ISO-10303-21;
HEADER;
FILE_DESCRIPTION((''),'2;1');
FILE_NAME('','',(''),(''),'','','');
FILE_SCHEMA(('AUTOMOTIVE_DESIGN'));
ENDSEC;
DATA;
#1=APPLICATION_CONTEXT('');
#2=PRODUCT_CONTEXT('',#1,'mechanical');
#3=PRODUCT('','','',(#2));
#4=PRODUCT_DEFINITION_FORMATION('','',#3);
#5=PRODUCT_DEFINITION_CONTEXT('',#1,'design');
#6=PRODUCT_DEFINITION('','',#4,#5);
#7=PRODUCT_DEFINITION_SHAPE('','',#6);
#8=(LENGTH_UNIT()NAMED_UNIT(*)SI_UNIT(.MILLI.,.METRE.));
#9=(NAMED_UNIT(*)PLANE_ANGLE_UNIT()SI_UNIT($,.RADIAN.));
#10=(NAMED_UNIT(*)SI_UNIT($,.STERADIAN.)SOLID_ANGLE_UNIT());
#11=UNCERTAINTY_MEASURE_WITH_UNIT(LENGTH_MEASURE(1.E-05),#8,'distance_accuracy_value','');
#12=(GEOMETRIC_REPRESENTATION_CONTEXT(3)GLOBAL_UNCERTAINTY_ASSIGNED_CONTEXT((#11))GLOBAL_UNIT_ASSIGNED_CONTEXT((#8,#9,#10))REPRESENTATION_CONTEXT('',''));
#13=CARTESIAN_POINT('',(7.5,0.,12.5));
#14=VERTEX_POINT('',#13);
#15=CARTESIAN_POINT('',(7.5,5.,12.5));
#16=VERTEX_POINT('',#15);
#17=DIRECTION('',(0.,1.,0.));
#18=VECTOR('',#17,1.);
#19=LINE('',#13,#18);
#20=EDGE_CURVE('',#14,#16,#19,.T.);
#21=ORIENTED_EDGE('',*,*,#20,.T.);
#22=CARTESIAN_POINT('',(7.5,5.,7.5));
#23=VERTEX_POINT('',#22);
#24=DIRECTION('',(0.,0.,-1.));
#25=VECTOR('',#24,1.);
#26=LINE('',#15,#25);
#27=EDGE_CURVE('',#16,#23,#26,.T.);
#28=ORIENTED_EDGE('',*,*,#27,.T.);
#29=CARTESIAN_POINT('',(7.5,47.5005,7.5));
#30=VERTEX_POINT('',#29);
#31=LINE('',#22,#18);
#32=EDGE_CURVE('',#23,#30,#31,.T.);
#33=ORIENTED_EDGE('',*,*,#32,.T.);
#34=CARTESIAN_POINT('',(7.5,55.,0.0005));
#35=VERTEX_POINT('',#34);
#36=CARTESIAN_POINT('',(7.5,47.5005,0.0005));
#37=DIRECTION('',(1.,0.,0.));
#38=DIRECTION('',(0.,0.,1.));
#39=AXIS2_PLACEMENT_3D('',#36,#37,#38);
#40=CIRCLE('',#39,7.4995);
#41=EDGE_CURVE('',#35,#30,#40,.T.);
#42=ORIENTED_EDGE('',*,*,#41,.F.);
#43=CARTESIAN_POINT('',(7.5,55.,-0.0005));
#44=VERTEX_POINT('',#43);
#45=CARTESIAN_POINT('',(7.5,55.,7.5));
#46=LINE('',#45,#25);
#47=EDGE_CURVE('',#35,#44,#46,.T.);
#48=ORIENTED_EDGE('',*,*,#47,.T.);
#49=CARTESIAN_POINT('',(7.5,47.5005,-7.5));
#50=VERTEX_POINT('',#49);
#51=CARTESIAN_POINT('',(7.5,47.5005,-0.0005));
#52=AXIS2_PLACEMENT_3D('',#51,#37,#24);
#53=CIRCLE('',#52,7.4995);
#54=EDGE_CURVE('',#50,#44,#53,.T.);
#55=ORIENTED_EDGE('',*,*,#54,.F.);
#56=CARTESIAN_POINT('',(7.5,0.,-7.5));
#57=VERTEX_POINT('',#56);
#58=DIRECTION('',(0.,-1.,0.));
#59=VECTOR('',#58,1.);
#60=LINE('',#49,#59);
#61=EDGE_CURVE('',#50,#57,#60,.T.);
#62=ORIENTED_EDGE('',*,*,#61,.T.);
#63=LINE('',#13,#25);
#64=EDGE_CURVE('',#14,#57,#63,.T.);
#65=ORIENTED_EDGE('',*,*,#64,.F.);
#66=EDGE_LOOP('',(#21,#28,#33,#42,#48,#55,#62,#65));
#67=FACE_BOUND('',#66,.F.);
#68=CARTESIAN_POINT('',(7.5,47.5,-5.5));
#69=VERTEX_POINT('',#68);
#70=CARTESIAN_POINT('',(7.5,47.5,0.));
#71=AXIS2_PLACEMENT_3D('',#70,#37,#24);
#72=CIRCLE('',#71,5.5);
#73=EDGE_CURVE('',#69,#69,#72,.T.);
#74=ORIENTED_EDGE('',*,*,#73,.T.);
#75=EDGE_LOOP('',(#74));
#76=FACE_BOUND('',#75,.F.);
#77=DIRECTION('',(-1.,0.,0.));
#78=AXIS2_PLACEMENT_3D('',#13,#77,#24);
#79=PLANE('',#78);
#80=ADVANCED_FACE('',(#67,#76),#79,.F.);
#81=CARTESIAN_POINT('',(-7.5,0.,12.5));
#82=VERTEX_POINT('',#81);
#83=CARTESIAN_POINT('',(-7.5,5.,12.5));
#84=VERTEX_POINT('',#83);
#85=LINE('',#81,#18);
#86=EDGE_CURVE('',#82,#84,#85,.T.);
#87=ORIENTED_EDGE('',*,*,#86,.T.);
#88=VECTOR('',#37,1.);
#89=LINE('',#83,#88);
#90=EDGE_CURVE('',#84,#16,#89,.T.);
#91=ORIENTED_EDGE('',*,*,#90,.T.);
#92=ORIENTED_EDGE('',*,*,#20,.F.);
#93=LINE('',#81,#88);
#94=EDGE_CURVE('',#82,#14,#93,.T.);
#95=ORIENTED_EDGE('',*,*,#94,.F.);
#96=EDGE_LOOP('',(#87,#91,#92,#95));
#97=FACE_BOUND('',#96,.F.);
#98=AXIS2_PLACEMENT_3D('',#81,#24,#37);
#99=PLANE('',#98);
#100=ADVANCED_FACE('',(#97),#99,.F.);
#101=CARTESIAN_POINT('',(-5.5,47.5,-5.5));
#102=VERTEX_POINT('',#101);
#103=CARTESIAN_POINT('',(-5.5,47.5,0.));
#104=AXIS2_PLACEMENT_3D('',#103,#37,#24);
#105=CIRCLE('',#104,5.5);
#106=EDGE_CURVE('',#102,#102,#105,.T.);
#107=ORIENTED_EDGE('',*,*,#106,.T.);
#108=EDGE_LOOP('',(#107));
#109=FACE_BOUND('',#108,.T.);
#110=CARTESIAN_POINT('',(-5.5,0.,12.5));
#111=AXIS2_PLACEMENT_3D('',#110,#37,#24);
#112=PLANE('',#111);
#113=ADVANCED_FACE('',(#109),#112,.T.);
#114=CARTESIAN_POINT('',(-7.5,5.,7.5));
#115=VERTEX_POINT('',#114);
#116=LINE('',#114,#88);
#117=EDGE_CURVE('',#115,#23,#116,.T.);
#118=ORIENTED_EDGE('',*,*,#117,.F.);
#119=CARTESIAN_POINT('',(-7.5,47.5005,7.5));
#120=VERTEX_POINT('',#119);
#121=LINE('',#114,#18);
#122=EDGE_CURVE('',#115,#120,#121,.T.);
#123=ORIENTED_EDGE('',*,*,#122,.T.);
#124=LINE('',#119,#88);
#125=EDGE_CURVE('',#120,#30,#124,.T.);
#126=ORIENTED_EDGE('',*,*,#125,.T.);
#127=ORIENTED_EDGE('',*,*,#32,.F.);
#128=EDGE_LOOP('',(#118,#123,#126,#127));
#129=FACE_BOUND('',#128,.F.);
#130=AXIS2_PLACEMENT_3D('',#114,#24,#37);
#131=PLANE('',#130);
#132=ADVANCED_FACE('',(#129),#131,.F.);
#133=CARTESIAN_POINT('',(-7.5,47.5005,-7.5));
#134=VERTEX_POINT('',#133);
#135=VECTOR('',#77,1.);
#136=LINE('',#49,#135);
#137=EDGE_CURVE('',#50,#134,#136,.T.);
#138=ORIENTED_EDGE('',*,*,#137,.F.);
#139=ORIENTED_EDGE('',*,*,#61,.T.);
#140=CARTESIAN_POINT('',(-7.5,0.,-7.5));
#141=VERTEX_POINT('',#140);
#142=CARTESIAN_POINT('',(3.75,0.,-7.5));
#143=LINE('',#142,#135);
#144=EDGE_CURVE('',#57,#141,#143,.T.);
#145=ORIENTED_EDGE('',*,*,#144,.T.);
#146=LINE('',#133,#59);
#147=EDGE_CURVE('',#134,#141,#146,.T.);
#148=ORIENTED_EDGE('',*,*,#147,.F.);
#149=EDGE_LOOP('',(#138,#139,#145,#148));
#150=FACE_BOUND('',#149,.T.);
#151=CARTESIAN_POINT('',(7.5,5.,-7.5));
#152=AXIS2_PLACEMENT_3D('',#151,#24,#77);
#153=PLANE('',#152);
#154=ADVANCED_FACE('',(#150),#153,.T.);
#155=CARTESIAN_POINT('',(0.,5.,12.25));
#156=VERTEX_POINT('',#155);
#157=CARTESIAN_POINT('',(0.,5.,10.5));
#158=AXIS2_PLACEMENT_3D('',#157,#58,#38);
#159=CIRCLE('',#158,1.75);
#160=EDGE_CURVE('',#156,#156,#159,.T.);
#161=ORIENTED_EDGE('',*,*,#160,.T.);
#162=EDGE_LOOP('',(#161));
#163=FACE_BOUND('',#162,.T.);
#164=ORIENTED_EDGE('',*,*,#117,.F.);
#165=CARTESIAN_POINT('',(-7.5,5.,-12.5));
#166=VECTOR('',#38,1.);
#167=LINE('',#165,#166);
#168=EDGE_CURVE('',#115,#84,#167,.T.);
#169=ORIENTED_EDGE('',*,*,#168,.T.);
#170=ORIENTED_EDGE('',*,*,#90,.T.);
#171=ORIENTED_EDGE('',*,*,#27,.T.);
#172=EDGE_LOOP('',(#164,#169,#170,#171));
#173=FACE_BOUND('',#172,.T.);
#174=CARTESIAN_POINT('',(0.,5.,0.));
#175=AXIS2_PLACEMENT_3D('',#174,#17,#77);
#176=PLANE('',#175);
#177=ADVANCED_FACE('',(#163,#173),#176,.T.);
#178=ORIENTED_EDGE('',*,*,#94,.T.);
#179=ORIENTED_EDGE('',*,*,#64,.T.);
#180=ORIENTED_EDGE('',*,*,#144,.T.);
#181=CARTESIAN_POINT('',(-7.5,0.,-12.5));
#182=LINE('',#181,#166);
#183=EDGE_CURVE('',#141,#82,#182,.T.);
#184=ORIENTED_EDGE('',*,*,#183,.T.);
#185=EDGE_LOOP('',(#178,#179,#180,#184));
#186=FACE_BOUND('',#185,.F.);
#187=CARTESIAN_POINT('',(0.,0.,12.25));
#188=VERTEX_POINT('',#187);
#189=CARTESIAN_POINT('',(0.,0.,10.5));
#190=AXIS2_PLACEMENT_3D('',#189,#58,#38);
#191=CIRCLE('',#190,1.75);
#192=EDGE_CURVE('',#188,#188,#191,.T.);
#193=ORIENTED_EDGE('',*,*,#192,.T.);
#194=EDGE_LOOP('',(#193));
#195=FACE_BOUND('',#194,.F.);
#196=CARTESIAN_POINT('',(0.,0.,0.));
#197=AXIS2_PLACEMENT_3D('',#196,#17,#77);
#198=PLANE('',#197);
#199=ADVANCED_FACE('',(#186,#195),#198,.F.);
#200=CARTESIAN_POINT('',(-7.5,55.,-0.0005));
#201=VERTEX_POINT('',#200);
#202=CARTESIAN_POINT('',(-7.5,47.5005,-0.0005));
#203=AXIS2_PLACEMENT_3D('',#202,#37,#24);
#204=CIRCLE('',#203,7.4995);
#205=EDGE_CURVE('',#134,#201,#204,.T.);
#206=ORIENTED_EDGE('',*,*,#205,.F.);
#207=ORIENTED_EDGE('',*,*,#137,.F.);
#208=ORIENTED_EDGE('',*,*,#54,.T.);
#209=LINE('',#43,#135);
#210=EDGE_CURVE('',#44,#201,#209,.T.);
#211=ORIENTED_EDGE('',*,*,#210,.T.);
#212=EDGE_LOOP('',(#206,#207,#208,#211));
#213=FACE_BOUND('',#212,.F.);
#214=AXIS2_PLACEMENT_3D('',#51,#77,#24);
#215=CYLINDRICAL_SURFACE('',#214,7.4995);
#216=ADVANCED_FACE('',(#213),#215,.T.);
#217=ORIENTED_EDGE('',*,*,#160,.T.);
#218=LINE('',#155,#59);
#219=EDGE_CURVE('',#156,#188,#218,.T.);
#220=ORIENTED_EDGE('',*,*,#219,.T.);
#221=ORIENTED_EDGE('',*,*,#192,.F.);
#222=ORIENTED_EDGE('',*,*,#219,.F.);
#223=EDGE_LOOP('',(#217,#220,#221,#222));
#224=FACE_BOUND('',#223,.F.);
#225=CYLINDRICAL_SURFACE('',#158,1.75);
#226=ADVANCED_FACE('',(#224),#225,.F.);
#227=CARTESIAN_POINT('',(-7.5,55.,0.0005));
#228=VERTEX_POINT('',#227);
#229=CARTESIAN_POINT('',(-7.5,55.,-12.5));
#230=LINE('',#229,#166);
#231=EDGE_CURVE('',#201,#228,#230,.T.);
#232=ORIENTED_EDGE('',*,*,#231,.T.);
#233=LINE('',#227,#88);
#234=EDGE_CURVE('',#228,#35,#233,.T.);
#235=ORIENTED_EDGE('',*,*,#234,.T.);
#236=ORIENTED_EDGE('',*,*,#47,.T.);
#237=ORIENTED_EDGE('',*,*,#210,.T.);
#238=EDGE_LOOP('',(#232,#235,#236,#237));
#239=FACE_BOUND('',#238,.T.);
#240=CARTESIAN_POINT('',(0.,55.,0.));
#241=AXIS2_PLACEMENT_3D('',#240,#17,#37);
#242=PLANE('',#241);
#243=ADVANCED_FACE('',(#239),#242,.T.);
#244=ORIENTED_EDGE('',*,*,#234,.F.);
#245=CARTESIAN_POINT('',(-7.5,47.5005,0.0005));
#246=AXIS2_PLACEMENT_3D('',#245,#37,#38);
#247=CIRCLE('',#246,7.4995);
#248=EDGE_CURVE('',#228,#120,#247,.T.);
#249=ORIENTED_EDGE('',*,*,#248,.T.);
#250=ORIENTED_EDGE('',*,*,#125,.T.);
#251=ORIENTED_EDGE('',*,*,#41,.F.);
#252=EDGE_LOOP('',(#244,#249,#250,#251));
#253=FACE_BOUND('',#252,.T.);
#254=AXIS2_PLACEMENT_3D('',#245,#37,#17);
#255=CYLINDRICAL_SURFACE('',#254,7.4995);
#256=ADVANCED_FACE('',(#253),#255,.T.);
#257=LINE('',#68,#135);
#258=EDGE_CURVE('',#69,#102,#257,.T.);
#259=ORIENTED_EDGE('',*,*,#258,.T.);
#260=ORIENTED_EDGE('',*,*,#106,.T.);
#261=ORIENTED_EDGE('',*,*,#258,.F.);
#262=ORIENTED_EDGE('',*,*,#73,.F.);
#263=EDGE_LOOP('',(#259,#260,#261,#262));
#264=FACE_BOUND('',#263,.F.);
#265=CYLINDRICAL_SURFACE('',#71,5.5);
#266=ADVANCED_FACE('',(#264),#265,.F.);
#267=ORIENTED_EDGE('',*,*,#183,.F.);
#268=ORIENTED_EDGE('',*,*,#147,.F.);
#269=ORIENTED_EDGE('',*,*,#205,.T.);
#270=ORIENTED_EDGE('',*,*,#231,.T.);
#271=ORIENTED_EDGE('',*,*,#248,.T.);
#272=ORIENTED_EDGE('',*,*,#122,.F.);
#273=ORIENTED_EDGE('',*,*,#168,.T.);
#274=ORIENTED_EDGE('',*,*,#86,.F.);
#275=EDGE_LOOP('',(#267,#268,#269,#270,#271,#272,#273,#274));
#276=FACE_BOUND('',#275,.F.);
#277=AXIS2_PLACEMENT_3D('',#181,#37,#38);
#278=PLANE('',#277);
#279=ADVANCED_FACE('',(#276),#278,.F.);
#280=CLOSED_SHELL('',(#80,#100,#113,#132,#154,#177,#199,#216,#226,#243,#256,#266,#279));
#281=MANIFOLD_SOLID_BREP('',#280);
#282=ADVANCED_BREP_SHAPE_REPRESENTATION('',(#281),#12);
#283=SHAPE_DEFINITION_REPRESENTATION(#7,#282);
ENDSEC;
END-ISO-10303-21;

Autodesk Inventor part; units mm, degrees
ref_plane "YZ Plane" through (0, 0, 0) normal (1, 0, 0) x (0, 1, 0)
ref_plane "XZ Plane" through (0, 0, 0) normal (0, 1, 0) x (-1, 0, 0)
ref_plane "XY Plane" through (0, 0, 0) normal (0, 0, 1) x (1, 0, 0)
sketch "Sketch1" plane through (0, 0, 0) normal (0, 1, 0) x (-1, 0, 0)
  line L0 (7.5, 12.5) -> (-7.5, 12.5)
  line L1 (-7.5, 12.5) -> (-7.5, -12.5)
  line L2 (-7.5, -12.5) -> (7.5, -12.5)
  line L3 (7.5, -12.5) -> (7.5, 12.5)
  line L4 (7.5, 12.5) -> (-7.5, -12.5) construction
  line L5 (-7.5, 12.5) -> (7.5, -12.5) construction
  point P0 (0, 0)
  dimension "d0" = 15
  dimension "d1" = 25
extrude "Extrusion1" add sketch "Sketch1" along normal blind 5
sketch "Sketch2" plane through (0, 5, 0) normal (0, 1, 0) x (1, 0, 0)
  line L0 (-7.5, -12.5) -> (7.5, -12.5) projected
  line L1 (-7.5, 12.5) -> (-7.5, -12.5) projected
  line L2 (7.5, 7.5) -> (-7.5, 7.5)
  line L3 (-7.5, 7.5) -> (-7.5, -7.5)
  line L4 (-7.5, -7.5) -> (7.5, -7.5)
  line L5 (7.5, -7.5) -> (7.5, 7.5)
  line L6 (7.5, 7.5) -> (-7.5, -7.5) construction
  line L7 (-7.5, 7.5) -> (7.5, -7.5) construction
  point P0 (0, 0)
  dimension "d5" = 15
extrude "Extrusion2" add sketch "Sketch2" along normal blind 50
sketch "Sketch3" plane through (7.5, 0, 12.5) normal (1, 0, 0) x (0, 0, -1)
  circle A0 centre (12.5, 47.5) radius 5.5
  point P0 (12.5, 0)
  point P1 (14.5, 47.5)
  dimension "d9" = 11
extrude "Extrusion3" cut sketch "Sketch3" against normal blind 13
fillet "Fillet1" radius 7.5 2 edges at (0, 55, -7.5) (0, 55, 7.5)
sketch "Sketch5" plane through (0, 5, 0) normal (0, 1, 0) x (1, 0, 0)
  line L0 (7.5, -7.5) -> (-7.5, -7.5) projected
  line L1 (-7.5, -12.5) -> (7.5, -12.5) projected
  line L2 (-7.5, 7.5) -> (7.5, 7.5) projected
  line L3 (7.5, 12.5) -> (-7.5, 12.5) projected
  point P0 (0, 0)
  point P1 (0, -10.5)
  point P2 (0, 10.5)
hole "Hole2" at (0, 5, 10.5) at (0, 5, -10.5) direction (0, -1, 0) diameter 3.5 end through all
sketch "Sketch6" plane through (0, 5, 0) normal (0, 1, 0) x (1, 0, 0)
  point P0 (0, 0)
sketch "Sketch7" plane through (0, 5, 0) normal (0, 1, 0) x (1, 0, 0)
  line L0 (7.5, -7.5) -> (-7.5, -7.5) projected
  line L1 (-7.5, -12.5) -> (7.5, -12.5) projected
  line L2 (-7.5, -7.5) -> (7.5, -7.5)
  line L3 (7.5, -7.5) -> (7.5, -12.5)
  line L4 (7.5, -12.5) -> (-7.5, -12.5)
  line L5 (-7.5, -12.5) -> (-7.5, -7.5)
  line L6 (7.5, 12.5) -> (-7.5, 12.5) projected
  line L7 (7.5, 7.5) -> (7.5, 12.5) projected
  line L8 (-7.5, 12.5) -> (7.5, 12.5)
  line L9 (7.5, 12.5) -> (7.5, 7.5)
  line L10 (7.5, 7.5) -> (-7.5, 7.5)
  line L11 (-7.5, 7.5) -> (-7.5, 12.5)
  point P0 (0, 0)
extrude "Extrusion4" cut sketch "Sketch7" against normal blind 50 contours L7 L10 L11 L6
properties part number "Holder_Slim"
